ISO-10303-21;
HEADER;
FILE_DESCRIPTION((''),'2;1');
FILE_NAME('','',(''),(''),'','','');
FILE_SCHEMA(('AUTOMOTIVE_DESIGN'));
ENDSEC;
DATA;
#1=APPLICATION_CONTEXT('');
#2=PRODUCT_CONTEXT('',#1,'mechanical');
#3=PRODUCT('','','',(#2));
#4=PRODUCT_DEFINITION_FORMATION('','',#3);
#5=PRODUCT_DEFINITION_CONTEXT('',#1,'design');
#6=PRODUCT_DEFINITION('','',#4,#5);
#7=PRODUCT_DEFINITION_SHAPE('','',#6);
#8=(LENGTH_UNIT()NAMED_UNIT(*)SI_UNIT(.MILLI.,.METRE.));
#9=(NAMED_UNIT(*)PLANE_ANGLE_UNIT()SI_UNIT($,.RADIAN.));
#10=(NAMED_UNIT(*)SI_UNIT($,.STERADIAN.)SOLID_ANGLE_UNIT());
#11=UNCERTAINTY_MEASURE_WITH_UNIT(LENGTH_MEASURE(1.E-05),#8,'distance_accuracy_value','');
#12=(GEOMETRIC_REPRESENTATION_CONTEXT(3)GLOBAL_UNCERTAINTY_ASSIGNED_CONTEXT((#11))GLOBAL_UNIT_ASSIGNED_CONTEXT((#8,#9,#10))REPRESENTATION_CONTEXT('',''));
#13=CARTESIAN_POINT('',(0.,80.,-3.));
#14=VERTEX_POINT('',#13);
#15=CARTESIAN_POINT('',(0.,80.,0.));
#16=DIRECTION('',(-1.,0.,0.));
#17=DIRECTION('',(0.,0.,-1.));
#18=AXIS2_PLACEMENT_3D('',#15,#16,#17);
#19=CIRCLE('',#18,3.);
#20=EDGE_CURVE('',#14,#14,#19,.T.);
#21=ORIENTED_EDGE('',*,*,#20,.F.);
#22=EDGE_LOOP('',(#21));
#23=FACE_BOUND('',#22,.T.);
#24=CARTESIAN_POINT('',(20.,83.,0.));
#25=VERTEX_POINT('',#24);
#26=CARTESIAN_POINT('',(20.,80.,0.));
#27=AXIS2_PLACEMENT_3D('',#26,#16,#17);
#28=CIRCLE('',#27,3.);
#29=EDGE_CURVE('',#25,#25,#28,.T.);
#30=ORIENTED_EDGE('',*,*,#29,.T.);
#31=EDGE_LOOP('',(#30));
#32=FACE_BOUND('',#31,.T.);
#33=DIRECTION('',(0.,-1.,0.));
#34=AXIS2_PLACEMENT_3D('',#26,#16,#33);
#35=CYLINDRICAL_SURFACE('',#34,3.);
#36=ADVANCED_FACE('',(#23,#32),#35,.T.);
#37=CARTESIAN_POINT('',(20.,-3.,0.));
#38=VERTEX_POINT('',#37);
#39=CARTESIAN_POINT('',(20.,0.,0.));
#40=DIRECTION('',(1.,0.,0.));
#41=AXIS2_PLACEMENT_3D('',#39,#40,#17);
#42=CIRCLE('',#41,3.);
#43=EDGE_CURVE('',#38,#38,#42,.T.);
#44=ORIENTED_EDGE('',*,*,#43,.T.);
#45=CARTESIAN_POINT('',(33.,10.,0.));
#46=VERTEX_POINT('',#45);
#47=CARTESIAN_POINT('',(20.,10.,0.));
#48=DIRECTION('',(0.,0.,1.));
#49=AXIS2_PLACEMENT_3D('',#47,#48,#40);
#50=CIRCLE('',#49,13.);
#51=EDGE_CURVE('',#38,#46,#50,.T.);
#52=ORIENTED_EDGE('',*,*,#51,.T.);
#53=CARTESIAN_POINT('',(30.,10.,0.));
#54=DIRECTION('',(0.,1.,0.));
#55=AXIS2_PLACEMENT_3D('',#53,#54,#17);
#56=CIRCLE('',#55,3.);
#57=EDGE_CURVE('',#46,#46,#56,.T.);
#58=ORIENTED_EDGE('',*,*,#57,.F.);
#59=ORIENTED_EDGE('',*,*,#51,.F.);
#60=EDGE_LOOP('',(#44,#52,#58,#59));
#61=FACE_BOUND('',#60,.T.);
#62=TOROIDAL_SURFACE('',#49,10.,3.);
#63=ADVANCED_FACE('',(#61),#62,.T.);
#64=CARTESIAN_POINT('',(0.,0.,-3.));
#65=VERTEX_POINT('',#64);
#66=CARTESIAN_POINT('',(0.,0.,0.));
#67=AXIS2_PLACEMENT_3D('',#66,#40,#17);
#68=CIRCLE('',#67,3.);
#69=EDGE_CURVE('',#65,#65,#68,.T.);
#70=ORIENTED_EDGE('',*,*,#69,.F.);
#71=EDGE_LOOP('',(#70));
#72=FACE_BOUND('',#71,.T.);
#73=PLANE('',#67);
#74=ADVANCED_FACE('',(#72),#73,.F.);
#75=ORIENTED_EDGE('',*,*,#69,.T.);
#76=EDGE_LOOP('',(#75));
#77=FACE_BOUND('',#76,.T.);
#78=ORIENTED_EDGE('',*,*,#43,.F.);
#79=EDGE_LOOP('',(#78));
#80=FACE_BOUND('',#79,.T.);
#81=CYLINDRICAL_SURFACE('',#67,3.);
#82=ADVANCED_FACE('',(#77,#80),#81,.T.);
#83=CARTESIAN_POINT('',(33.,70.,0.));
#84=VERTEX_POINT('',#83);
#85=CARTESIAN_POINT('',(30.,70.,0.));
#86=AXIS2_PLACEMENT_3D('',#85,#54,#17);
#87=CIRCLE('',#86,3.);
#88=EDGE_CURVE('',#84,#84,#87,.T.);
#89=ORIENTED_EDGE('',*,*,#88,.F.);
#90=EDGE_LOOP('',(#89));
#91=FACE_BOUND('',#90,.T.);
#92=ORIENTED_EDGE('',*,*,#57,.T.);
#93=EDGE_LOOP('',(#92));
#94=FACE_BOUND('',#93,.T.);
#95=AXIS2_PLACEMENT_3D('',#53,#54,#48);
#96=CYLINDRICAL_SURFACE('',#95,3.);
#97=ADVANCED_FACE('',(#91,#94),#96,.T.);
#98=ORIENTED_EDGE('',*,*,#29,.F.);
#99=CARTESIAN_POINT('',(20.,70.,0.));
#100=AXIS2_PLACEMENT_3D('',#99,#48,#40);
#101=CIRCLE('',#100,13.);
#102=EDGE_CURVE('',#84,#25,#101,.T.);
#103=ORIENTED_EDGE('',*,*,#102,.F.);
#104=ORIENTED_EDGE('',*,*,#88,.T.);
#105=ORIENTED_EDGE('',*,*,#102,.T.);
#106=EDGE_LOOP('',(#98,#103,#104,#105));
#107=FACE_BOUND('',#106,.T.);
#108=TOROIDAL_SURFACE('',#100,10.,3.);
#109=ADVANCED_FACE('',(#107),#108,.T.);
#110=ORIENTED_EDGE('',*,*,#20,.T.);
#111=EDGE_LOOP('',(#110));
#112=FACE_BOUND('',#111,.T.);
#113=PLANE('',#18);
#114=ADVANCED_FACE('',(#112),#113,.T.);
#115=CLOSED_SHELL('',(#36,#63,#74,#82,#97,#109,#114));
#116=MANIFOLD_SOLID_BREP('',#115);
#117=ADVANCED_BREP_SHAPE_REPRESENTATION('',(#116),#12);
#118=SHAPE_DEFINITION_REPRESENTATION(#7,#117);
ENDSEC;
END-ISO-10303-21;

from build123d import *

# Parameters (mm, degrees)
IZIM2_R = 3


with BuildPart() as part:
    # Süpür1: sweep along a path in Çizim1
    with BuildLine(Plane.XY) as s_p_r1_path:
        Line((0, 0), (20, 0))
        ThreePointArc((20, 0), (27.071067812, 2.928932188), (30, 10))
        Line((30, 10), (30, 70))
        ThreePointArc((30, 70), (27.071067812, 77.071067812), (20, 80))
        Line((20, 80), (0, 80))
    # Çizim2 → Süpür1 (sweep)
    with BuildSketch(Plane(origin=(0, 0, 0), x_dir=(0, 0, -1), z_dir=(1, 0, 0))):
        Circle(IZIM2_R)
    sweep(path=s_p_r1_path.line)


solid = part.part
